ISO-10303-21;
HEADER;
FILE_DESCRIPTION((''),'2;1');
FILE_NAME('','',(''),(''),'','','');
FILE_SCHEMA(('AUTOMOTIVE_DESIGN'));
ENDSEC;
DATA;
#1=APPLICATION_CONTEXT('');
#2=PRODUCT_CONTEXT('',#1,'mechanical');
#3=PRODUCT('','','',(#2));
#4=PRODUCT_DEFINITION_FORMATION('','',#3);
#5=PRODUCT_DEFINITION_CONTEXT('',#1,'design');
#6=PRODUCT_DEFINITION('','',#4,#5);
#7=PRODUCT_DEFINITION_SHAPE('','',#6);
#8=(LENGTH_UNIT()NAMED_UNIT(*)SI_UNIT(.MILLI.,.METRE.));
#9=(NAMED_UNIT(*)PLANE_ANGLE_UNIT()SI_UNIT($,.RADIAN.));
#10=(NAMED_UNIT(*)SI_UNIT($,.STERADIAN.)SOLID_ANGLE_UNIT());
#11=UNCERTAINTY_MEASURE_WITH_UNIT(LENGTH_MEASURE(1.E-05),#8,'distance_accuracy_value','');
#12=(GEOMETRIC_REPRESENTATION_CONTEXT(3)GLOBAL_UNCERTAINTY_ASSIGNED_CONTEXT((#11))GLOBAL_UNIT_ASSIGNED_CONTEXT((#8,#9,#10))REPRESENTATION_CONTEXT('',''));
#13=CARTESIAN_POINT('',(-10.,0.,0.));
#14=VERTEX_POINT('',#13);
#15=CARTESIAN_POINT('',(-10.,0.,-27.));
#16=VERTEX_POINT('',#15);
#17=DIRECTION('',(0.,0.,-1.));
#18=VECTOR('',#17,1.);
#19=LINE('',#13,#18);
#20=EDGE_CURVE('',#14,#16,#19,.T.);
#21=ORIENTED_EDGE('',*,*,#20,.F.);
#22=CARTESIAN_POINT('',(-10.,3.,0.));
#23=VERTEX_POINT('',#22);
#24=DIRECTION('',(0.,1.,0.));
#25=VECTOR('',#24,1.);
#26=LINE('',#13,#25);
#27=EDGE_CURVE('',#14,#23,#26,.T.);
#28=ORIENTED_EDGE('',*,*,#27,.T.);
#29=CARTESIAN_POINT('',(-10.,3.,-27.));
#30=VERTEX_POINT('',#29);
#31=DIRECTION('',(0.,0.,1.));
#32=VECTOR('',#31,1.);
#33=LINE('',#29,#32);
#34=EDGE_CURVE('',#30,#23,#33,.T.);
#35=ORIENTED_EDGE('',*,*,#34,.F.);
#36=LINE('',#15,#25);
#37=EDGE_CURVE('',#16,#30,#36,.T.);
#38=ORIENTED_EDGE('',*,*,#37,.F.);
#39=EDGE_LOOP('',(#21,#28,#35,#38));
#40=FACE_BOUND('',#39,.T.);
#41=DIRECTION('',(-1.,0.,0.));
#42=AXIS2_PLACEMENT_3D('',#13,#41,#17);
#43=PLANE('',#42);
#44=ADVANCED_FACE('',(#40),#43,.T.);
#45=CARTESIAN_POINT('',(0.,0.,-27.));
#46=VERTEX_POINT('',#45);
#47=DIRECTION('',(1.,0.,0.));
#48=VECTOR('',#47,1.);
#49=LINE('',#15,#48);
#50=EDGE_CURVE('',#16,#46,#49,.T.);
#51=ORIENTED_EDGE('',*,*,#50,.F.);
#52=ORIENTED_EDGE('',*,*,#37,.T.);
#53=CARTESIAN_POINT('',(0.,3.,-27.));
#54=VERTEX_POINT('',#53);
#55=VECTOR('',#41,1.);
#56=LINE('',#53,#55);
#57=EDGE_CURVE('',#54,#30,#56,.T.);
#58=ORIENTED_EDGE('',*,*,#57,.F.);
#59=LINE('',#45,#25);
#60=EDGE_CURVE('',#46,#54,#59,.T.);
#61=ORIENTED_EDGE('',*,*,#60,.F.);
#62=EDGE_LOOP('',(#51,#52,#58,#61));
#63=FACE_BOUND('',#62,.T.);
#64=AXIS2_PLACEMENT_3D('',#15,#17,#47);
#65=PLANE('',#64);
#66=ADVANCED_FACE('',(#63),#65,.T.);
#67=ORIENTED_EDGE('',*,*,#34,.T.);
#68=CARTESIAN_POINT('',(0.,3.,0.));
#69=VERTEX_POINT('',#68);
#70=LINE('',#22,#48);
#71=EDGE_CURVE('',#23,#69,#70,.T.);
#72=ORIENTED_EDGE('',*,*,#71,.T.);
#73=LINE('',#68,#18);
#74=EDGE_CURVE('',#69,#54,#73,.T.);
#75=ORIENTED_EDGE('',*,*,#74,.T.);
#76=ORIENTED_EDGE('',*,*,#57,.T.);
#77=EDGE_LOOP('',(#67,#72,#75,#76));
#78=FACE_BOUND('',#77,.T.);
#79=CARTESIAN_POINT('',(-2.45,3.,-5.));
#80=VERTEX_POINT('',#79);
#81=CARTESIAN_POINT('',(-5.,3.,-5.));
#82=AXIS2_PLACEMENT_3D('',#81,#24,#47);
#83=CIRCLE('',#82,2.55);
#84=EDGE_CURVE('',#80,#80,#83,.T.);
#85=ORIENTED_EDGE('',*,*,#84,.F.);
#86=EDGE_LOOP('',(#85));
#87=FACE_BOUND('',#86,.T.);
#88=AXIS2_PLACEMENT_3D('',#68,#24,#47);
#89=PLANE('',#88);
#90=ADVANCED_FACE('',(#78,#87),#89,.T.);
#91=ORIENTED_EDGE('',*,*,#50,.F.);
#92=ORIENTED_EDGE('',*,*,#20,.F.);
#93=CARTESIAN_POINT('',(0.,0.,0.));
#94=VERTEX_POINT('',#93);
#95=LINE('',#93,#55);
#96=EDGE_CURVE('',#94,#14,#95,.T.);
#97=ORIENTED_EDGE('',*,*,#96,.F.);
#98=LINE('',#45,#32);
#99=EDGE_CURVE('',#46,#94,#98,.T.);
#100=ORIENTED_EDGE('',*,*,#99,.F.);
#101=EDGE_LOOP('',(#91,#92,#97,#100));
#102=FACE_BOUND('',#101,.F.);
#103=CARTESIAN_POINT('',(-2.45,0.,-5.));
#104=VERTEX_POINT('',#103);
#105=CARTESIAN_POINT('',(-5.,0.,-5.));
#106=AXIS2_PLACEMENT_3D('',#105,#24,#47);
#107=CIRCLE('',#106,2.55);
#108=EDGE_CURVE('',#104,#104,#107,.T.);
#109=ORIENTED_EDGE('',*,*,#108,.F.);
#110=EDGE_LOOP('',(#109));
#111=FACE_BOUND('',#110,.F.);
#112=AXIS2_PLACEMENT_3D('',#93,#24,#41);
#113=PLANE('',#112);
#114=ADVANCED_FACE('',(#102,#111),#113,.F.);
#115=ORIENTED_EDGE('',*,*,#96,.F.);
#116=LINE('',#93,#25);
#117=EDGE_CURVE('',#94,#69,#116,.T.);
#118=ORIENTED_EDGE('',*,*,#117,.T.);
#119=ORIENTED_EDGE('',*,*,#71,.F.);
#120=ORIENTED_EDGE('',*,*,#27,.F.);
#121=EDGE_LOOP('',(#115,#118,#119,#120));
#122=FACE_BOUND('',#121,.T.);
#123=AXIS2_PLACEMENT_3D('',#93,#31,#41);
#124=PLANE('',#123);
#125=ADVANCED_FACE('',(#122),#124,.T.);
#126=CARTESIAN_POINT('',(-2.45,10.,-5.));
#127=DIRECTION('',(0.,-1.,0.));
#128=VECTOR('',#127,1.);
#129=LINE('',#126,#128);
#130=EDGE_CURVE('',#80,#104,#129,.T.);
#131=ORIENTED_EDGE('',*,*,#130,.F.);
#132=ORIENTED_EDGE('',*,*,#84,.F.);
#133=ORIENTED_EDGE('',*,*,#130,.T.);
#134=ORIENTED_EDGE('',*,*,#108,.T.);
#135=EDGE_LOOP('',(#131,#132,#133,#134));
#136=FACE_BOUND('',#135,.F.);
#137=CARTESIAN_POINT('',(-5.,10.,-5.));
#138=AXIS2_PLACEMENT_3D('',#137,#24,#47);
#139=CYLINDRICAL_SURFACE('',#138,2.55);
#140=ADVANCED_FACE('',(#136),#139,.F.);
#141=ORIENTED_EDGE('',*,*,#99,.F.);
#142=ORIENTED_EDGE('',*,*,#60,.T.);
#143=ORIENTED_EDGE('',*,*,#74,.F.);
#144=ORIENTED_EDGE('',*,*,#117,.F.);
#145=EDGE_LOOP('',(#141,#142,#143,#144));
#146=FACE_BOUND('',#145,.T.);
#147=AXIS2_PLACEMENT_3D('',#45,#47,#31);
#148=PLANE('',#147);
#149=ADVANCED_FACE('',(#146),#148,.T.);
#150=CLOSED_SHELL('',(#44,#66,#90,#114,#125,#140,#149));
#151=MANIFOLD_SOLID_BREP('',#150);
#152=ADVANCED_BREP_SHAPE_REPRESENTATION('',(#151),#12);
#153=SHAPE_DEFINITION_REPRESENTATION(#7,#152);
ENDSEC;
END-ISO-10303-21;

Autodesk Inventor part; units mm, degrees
ref_plane "YZ Plane" through (0, 0, 0) normal (1, 0, 0) x (0, 1, 0)
ref_plane "XZ Plane" through (0, 0, 0) normal (0, 1, 0) x (-1, 0, 0)
ref_plane "XY Plane" through (0, 0, 0) normal (0, 0, 1) x (1, 0, 0)
sketch "Sketch1" plane through (0, 0, 0) normal (0, 1, 0) x (-1, 0, 0)
  line L0 (0, 0) -> (10, 0)
  line L1 (10, 0) -> (10, -27)
  line L2 (10, -27) -> (0, -27)
  line L3 (0, -27) -> (0, 0)
  dimension "d0" = 10
  dimension "d1" = 27
extrude "Extrusion1" add sketch "Sketch1" along normal blind 10
sketch "Sketch2" plane through (0, 10, 0) normal (0, 1, 0) x (1, 0, 0)
  line L0 (-10, 27) -> (-10, 0) projected
  line L1 (-10, 0) -> (-10, 5)
  circle A0 centre (-5, 5) radius 2.55
  point P0 (0, 0)
  dimension "d4" = 5
  dimension "d5" = 5.1
extrude "Extrusion2" cut sketch "Sketch2" against normal blind 10
sketch "Sketch4" plane through (0, 10, 0) normal (0, 1, 0) x (1, 0, 0)
  line L0 (0, 27) -> (-10, 27) projected
  line L1 (-10, 27) -> (-10, 0) projected
  line L2 (0, 27) -> (-10, 27)
  line L3 (-10, 27) -> (-10, 0)
  line L4 (-10, 0) -> (0, 0)
  line L5 (0, 0) -> (0, 27)
  point P0 (0, 0)
  dimension "d13" = 27
extrude "Extrusion4" cut sketch "Sketch4" against normal blind 7
properties part number "Raket_Arme_Motor"
